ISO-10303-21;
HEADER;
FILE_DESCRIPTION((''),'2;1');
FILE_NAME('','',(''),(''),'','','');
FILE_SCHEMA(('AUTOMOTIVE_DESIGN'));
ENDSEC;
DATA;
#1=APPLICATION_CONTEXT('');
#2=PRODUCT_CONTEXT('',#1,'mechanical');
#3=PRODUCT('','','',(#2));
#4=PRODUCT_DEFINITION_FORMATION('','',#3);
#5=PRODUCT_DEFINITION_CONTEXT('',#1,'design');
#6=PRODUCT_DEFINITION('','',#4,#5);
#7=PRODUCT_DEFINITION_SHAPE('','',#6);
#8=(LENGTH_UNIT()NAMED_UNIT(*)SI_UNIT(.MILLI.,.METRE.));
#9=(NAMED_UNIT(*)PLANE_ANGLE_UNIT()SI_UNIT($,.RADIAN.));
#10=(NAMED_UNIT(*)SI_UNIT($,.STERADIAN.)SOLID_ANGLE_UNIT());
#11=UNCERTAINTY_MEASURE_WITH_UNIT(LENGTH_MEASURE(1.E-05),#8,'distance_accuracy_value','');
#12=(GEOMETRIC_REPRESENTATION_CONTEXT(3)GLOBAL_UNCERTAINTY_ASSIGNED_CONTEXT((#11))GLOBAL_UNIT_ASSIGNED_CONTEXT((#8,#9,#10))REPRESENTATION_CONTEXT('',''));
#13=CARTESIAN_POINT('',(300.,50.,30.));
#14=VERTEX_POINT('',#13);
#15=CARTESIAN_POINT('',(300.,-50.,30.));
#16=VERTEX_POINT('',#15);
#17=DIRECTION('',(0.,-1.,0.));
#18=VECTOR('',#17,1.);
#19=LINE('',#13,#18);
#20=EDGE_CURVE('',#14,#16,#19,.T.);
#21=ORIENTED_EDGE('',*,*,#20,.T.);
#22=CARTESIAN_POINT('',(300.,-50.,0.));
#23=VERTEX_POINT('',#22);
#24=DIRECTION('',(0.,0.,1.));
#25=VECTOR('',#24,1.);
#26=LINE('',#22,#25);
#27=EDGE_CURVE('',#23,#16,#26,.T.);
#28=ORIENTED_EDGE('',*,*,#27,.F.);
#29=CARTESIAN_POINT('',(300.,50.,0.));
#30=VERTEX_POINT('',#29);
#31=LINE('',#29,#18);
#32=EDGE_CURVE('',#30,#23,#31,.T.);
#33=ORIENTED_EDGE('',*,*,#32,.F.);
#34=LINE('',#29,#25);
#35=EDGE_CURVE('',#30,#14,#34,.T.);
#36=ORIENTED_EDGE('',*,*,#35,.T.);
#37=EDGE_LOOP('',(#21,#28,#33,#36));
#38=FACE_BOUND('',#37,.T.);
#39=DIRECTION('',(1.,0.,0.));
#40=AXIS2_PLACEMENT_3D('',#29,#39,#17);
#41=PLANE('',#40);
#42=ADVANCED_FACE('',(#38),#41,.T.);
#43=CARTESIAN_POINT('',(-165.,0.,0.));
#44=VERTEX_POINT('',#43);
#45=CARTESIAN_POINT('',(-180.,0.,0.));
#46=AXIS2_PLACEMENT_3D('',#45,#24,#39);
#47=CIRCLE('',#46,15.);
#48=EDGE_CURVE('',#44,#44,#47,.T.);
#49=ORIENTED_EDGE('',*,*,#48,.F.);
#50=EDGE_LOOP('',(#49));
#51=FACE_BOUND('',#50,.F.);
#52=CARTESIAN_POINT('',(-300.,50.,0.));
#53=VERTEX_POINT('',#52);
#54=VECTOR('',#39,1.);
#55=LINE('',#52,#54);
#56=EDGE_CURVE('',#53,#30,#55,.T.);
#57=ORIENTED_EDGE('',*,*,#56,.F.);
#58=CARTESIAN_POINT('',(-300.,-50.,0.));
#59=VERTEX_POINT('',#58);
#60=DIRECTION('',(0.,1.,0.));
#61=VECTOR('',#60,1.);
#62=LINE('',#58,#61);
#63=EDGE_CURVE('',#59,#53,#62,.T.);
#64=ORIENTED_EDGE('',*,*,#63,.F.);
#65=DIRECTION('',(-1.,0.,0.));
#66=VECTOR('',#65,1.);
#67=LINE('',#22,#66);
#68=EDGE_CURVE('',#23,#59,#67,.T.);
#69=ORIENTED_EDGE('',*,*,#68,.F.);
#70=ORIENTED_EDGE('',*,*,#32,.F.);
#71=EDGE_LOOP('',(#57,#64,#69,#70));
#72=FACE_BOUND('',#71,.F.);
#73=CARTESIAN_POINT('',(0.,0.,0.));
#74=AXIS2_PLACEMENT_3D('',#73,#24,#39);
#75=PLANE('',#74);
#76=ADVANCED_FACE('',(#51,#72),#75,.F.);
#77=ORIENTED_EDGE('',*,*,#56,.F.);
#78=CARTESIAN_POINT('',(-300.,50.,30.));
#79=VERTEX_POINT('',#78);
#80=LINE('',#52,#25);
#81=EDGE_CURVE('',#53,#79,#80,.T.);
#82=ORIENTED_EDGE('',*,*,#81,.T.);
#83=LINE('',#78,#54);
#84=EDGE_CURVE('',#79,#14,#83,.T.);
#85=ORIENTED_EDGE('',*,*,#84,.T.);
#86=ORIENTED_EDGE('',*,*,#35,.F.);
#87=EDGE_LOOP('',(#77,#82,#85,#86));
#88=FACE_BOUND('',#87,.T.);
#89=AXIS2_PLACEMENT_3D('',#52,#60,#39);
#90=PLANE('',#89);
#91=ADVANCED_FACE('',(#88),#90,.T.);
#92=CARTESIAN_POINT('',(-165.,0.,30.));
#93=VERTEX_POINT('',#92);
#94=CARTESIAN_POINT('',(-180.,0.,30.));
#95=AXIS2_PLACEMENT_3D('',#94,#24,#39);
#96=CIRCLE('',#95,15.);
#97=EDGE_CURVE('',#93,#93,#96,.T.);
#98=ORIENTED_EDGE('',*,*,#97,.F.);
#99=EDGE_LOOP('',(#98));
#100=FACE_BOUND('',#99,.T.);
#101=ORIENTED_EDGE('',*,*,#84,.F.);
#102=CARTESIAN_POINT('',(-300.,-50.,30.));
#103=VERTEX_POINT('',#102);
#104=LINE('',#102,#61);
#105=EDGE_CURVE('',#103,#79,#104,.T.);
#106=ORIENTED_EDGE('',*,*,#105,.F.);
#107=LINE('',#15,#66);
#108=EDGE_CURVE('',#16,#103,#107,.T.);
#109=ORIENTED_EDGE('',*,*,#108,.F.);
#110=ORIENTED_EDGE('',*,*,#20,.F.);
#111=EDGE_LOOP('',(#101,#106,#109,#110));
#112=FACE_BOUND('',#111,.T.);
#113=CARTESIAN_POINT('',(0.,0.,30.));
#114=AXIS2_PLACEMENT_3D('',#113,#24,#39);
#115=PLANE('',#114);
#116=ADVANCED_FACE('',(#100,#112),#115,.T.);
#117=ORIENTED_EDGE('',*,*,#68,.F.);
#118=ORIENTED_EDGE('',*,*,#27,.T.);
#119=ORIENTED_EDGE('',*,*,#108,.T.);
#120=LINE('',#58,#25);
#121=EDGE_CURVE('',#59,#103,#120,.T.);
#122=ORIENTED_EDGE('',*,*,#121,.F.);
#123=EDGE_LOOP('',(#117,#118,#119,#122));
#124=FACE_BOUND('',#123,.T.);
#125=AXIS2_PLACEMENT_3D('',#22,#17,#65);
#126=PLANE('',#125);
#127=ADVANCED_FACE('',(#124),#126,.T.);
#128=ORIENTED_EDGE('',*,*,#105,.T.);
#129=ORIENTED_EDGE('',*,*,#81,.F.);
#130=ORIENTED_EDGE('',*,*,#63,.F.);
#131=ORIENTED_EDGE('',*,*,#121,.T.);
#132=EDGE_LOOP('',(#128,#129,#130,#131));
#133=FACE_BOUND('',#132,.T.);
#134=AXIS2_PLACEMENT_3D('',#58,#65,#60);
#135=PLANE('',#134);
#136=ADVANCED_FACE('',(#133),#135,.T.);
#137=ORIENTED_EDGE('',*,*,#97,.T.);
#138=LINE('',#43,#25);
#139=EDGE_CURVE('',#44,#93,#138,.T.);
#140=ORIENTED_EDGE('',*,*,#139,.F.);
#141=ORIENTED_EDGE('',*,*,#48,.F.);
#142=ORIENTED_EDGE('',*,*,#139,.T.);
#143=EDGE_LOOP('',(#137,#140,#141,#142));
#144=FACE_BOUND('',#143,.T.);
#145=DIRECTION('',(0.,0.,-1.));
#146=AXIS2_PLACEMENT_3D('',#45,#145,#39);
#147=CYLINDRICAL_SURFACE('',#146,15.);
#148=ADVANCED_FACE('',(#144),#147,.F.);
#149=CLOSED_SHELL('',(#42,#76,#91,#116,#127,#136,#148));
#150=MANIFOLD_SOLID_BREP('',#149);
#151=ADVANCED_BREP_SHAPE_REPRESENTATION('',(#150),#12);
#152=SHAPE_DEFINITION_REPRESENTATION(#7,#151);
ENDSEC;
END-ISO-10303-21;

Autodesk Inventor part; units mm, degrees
ref_plane "YZ Plane" through (0, 0, 0) normal (1, 0, 0) x (0, 1, 0)
ref_plane "XZ Plane" through (0, 0, 0) normal (0, 1, 0) x (-1, 0, 0)
ref_plane "XY Plane" through (0, 0, 0) normal (0, 0, 1) x (1, 0, 0)
sketch "Эскиз1" plane through (0, 0, 0) normal (0, 0, 1) x (1, 0, 0)
  line L0 (300, -50) -> (-300, -50)
  line L1 (-300, -50) -> (-300, 50)
  line L2 (-300, 50) -> (300, 50)
  line L3 (300, 50) -> (300, -50)
  line L4 (300, -50) -> (-300, 50) construction
  line L5 (-300, -50) -> (300, 50) construction
  circle A0 centre (-180, 0) radius 15
  point P0 (0, 0)
  dimension "d0" = 100
  dimension "d1" = 600
  dimension "d4" = 30
  dimension "d5" = 120
extrude "Выдавливание1" add sketch "Эскиз1" along normal blind 30
properties material "Сталь, литейная"
